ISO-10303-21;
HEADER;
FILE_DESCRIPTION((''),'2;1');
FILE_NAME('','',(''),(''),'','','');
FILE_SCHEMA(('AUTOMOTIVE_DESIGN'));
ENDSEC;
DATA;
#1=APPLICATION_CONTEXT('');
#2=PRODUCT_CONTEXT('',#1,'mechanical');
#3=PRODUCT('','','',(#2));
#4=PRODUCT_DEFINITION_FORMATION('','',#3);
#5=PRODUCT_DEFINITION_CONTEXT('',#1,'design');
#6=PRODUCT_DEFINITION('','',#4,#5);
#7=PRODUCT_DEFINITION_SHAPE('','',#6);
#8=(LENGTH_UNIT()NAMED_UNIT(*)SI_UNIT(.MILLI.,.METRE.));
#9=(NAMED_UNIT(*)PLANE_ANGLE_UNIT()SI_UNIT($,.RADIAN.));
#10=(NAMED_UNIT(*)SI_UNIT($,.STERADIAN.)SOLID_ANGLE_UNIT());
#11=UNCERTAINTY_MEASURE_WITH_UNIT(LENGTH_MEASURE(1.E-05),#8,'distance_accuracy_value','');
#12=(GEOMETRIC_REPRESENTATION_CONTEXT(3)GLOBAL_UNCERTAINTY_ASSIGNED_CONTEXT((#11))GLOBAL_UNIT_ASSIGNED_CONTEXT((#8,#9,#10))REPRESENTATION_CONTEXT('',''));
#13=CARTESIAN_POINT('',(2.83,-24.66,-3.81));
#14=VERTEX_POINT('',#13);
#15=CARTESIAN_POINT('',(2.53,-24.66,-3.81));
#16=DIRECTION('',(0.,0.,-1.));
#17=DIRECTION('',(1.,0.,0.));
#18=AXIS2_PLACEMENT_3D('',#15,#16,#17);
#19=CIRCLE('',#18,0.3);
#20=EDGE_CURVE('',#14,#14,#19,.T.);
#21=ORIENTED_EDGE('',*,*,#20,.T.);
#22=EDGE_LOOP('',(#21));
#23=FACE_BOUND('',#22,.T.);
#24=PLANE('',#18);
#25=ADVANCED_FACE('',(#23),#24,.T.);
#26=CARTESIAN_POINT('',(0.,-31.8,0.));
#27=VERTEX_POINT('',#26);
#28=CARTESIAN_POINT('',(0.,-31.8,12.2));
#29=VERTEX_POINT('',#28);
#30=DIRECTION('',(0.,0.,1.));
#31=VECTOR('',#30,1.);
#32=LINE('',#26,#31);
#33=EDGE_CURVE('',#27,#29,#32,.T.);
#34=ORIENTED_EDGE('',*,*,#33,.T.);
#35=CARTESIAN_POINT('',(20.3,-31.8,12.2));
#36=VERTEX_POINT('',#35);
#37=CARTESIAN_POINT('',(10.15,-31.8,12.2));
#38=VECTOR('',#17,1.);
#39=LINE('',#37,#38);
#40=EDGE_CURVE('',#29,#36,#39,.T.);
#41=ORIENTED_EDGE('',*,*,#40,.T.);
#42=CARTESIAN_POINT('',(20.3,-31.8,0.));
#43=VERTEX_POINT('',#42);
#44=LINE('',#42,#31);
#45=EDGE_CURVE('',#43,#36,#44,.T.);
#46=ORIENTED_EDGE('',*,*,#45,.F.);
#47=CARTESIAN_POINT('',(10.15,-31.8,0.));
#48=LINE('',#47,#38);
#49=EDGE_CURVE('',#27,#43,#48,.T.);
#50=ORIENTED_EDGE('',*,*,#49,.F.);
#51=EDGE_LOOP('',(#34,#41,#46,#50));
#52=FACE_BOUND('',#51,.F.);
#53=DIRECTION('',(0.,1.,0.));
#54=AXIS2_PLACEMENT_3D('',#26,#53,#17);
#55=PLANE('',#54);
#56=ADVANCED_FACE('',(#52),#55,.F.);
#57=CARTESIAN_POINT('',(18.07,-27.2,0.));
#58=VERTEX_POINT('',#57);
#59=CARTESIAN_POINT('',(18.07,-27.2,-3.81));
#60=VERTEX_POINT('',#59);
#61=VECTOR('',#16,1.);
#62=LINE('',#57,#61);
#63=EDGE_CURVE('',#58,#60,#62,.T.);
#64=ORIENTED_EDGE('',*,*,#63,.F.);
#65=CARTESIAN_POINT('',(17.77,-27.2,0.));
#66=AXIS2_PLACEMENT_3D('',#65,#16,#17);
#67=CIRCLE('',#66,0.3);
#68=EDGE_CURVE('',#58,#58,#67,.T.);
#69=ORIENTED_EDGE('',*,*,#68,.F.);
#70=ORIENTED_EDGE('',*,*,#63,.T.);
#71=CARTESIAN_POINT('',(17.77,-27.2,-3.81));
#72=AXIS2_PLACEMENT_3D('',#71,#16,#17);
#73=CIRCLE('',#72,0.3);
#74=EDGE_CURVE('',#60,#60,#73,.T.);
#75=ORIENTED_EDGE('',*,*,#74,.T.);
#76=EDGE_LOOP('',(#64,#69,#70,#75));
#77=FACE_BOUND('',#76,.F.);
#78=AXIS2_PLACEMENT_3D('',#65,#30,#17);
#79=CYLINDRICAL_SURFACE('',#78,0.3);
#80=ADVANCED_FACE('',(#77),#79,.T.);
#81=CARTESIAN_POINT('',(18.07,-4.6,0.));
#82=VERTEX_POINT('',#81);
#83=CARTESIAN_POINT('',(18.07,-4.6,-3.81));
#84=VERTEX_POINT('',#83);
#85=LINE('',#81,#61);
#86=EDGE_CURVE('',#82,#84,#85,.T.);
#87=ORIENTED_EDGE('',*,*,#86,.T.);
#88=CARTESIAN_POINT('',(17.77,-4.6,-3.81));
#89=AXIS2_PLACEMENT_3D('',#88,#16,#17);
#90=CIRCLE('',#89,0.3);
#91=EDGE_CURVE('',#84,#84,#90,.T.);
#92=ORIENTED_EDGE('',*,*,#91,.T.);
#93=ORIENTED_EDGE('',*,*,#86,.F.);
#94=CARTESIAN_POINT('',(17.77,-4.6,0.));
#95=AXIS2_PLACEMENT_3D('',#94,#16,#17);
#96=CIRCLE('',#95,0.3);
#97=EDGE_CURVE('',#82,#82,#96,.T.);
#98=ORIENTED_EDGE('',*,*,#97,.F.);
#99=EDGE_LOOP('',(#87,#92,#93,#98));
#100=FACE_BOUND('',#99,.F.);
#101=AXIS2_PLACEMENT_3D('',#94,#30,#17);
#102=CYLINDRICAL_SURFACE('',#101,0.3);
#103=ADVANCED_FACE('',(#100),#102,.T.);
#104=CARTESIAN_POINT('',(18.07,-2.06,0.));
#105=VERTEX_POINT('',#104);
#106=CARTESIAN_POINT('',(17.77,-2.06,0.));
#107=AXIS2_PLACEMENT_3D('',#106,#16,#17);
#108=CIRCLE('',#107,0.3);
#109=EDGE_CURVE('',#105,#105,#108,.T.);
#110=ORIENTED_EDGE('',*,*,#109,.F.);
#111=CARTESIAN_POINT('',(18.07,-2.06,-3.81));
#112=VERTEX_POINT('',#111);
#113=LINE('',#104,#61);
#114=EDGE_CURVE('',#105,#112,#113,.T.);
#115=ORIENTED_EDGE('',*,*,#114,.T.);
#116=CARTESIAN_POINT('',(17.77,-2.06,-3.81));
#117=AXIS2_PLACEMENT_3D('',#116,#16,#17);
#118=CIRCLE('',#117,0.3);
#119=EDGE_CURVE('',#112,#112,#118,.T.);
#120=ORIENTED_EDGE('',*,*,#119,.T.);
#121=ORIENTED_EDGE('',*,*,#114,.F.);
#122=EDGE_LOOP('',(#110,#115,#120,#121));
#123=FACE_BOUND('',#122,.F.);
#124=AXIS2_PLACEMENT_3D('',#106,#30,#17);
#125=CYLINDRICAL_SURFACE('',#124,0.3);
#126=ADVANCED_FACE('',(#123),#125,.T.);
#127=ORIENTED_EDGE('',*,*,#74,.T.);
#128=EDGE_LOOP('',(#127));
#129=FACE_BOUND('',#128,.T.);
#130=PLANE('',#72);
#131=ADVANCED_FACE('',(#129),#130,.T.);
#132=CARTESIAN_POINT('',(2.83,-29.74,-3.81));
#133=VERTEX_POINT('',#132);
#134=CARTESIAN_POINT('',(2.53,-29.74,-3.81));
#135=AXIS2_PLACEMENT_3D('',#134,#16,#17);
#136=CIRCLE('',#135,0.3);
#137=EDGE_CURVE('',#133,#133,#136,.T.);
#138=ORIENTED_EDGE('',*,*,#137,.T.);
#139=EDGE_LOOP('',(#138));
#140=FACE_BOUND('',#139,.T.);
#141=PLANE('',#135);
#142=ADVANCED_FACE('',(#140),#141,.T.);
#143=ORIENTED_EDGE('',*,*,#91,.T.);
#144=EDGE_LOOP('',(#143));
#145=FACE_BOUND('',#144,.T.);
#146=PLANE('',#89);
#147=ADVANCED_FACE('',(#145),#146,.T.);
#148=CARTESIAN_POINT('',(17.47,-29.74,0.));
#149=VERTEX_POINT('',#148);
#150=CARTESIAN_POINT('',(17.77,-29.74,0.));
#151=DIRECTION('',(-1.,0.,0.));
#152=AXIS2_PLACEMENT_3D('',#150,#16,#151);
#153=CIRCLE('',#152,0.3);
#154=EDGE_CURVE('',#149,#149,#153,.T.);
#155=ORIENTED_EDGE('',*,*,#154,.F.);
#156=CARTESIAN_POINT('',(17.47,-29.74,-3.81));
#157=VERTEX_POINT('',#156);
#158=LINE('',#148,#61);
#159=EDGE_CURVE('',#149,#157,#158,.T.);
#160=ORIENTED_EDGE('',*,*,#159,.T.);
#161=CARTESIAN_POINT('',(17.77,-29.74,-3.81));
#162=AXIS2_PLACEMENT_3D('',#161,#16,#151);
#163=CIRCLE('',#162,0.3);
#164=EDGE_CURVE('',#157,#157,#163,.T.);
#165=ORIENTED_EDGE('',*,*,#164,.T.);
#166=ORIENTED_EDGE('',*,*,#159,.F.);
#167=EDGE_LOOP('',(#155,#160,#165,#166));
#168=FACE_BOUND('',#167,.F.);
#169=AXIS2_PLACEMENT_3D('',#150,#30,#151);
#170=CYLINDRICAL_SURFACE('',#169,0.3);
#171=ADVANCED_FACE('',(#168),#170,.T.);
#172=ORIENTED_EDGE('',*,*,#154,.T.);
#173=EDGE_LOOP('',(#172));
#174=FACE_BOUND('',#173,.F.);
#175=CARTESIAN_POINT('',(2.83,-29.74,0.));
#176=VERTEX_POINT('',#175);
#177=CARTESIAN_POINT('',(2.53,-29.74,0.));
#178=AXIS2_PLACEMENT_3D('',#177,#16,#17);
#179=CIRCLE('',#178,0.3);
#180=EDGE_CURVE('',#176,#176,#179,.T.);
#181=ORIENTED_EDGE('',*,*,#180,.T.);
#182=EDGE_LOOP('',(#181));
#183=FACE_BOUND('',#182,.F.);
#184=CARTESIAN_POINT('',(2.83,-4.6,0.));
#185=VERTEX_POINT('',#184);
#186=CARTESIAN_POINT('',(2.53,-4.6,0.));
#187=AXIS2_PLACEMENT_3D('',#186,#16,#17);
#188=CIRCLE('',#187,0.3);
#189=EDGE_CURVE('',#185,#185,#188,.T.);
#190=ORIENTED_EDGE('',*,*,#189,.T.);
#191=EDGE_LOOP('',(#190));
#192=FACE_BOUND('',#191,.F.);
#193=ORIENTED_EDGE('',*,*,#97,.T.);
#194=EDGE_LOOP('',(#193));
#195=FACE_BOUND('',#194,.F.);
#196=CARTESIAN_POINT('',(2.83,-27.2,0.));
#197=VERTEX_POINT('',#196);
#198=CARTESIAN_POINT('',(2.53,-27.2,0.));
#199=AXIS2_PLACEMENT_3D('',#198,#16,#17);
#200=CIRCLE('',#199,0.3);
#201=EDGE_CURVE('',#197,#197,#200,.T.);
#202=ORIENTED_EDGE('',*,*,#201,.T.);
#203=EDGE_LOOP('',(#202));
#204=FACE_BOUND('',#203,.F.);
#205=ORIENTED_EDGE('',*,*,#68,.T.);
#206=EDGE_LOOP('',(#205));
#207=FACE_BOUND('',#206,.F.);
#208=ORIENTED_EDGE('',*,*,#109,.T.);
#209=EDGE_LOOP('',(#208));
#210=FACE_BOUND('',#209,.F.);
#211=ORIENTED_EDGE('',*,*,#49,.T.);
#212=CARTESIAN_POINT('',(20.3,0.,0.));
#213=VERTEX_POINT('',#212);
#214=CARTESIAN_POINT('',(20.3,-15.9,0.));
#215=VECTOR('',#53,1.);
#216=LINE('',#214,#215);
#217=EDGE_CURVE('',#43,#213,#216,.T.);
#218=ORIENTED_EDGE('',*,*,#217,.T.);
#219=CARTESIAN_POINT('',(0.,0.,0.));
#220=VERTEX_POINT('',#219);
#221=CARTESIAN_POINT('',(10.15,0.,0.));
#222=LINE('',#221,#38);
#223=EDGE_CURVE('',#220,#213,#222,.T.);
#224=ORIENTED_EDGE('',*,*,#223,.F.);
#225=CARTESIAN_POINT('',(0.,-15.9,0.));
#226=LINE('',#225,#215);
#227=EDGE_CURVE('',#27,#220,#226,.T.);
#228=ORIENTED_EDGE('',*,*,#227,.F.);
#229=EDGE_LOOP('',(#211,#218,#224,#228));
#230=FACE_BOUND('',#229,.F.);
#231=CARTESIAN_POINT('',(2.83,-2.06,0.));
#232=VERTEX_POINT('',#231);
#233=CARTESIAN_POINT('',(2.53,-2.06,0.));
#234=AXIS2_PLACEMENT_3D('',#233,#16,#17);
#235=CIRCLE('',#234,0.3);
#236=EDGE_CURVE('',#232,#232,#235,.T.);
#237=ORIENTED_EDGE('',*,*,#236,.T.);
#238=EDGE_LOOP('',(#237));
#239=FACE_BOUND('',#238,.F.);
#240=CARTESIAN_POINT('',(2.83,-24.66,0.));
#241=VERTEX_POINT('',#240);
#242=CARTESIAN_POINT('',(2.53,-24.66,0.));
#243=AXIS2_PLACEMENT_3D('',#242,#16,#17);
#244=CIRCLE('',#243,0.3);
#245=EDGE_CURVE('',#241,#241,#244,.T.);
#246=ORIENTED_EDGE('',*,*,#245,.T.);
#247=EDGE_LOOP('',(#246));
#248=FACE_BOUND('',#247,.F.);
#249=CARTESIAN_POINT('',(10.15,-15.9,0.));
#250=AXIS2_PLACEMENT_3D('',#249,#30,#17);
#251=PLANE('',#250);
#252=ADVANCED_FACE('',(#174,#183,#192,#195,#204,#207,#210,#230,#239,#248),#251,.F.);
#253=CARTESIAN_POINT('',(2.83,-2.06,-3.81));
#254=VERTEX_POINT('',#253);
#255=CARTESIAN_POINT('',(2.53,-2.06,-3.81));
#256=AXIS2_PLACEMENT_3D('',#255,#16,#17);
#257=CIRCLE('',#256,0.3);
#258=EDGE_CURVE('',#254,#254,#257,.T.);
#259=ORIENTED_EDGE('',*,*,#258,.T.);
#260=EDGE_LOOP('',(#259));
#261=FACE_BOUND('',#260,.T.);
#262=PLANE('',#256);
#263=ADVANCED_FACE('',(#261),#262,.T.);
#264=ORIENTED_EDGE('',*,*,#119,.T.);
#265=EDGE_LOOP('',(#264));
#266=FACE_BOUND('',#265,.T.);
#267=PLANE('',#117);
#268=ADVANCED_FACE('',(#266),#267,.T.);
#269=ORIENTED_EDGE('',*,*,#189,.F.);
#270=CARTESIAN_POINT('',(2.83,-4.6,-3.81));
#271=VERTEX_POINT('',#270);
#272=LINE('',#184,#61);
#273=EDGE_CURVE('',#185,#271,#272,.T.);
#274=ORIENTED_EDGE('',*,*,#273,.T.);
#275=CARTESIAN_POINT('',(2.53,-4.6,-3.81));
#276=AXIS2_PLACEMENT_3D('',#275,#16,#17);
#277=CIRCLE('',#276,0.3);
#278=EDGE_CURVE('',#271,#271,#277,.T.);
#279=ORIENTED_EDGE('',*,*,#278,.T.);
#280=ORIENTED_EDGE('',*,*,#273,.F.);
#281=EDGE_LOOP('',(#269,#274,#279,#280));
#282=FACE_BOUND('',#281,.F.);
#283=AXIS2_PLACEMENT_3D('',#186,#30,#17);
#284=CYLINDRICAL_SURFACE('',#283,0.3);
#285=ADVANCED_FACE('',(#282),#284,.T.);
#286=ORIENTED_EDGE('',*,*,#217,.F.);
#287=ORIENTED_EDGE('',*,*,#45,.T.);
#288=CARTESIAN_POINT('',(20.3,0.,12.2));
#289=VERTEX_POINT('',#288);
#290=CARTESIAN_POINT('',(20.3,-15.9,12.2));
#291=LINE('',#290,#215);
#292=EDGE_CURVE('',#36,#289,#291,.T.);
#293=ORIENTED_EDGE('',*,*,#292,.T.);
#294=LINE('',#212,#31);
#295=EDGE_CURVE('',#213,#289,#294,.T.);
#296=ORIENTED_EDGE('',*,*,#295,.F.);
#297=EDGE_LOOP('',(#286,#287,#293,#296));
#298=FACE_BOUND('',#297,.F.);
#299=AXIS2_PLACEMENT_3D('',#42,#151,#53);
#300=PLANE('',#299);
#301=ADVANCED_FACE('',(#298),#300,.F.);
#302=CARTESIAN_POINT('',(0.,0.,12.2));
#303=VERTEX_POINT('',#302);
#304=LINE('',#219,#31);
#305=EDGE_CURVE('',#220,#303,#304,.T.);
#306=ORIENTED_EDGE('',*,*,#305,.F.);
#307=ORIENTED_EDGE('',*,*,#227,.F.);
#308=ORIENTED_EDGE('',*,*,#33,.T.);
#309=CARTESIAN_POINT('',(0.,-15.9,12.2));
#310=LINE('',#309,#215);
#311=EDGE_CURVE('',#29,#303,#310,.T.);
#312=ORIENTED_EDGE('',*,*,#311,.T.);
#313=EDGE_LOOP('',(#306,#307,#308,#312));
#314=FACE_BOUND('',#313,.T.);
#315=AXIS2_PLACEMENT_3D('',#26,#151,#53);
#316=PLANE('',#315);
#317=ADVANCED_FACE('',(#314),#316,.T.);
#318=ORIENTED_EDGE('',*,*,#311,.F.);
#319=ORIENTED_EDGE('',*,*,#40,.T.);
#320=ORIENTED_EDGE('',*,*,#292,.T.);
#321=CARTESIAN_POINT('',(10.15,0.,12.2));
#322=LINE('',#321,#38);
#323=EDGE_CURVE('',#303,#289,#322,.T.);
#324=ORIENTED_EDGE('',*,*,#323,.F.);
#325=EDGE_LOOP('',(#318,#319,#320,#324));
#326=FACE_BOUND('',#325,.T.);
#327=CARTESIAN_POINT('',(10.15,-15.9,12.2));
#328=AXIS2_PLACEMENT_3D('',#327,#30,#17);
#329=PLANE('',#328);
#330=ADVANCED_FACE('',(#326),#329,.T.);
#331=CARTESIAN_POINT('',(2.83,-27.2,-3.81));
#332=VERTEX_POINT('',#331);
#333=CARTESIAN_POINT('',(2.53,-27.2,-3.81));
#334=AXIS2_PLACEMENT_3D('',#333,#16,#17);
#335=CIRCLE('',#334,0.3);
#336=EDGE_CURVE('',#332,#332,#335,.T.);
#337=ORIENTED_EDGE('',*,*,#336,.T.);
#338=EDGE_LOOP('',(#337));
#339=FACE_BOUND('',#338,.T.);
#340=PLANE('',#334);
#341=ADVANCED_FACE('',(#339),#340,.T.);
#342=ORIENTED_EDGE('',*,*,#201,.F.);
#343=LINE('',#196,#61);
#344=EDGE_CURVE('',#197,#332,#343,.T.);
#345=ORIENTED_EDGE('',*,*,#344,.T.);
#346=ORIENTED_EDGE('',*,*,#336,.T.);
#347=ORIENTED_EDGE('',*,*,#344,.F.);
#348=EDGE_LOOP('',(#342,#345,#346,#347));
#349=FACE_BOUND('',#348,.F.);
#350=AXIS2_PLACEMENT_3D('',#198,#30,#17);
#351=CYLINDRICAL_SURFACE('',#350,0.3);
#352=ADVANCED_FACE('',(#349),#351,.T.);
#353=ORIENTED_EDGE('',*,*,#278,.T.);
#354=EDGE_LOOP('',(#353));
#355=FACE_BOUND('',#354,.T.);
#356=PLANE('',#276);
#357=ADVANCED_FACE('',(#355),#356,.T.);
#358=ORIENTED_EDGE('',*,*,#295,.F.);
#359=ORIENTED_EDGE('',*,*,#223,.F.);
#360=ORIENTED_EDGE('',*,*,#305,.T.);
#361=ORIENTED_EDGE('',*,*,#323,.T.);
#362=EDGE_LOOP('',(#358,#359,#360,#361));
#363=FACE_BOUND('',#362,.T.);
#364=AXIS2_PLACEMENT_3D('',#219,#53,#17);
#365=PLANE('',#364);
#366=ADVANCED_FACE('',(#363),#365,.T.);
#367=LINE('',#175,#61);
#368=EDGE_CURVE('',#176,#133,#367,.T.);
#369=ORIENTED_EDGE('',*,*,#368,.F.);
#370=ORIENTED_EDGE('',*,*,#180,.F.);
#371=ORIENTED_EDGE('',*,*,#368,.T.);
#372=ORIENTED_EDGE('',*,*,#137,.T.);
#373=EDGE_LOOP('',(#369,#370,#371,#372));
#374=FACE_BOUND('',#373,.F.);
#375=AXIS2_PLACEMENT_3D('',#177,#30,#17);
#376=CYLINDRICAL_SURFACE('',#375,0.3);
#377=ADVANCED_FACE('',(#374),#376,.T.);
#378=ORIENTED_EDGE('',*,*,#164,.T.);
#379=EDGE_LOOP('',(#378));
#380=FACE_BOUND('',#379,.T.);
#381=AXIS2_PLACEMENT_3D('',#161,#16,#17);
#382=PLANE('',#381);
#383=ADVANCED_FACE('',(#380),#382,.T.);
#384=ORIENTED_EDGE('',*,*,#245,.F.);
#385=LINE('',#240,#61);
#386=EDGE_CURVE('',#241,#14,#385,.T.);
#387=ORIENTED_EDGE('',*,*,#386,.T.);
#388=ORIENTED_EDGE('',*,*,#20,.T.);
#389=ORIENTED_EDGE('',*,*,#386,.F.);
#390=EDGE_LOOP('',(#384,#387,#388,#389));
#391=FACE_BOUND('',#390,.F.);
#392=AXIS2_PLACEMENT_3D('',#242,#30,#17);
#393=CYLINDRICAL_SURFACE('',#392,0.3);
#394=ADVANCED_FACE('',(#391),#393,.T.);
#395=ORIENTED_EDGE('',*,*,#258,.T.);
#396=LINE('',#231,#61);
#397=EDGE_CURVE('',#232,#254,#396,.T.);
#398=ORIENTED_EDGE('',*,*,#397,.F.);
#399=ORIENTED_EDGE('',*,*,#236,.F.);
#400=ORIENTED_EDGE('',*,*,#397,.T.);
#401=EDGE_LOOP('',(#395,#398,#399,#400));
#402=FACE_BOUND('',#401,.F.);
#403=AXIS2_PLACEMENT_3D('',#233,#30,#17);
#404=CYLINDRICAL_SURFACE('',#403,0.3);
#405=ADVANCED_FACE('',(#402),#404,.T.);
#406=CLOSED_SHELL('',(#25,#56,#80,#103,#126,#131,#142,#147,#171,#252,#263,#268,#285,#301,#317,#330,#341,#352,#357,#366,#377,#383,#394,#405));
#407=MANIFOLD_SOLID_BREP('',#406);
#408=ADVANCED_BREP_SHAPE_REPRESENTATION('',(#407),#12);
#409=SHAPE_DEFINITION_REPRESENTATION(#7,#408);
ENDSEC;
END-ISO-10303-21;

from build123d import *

# Parameters (mm, degrees)
F0_W     = 20.3
F0_H     = 31.8
F1_DEPTH = 12.2
F2_R     = 0.3
F3_DEPTH = 3.81


with BuildPart() as f1:
    # F0 (on Top) → F1 (new body)
    with BuildSketch(Plane.XY):
        with Locations((10.15, -15.9)):
            Rectangle(F0_W, F0_H)
    extrude(amount=F1_DEPTH)

    # F2 (on face) → F3 (join)
    with BuildSketch(Plane(origin=(0, 0, 0), x_dir=(1, 0, 0), z_dir=(0, 0, -1))):
        with Locations((2.53, 29.74)):
            Circle(F2_R)
        with Locations((2.53, 27.2)):
            Circle(F2_R)
        with Locations((2.53, 24.66)):
            Circle(F2_R)
        with BuildLine():
            ThreePointArc((18.07, 29.74), (17.77, 30.04), (17.47, 29.74))
            ThreePointArc((17.47, 29.74), (17.77, 29.44), (18.07, 29.74))
        make_face()
        with Locations((17.77, 27.2)):
            Circle(F2_R)
        with Locations((17.77, 4.6)):
            Circle(F2_R)
        with Locations((17.77, 2.06)):
            Circle(F2_R)
        with Locations((2.53, 2.06)):
            Circle(F2_R)
        with Locations((2.53, 4.6)):
            Circle(F2_R)
    extrude(amount=F3_DEPTH)


solid = f1.part
